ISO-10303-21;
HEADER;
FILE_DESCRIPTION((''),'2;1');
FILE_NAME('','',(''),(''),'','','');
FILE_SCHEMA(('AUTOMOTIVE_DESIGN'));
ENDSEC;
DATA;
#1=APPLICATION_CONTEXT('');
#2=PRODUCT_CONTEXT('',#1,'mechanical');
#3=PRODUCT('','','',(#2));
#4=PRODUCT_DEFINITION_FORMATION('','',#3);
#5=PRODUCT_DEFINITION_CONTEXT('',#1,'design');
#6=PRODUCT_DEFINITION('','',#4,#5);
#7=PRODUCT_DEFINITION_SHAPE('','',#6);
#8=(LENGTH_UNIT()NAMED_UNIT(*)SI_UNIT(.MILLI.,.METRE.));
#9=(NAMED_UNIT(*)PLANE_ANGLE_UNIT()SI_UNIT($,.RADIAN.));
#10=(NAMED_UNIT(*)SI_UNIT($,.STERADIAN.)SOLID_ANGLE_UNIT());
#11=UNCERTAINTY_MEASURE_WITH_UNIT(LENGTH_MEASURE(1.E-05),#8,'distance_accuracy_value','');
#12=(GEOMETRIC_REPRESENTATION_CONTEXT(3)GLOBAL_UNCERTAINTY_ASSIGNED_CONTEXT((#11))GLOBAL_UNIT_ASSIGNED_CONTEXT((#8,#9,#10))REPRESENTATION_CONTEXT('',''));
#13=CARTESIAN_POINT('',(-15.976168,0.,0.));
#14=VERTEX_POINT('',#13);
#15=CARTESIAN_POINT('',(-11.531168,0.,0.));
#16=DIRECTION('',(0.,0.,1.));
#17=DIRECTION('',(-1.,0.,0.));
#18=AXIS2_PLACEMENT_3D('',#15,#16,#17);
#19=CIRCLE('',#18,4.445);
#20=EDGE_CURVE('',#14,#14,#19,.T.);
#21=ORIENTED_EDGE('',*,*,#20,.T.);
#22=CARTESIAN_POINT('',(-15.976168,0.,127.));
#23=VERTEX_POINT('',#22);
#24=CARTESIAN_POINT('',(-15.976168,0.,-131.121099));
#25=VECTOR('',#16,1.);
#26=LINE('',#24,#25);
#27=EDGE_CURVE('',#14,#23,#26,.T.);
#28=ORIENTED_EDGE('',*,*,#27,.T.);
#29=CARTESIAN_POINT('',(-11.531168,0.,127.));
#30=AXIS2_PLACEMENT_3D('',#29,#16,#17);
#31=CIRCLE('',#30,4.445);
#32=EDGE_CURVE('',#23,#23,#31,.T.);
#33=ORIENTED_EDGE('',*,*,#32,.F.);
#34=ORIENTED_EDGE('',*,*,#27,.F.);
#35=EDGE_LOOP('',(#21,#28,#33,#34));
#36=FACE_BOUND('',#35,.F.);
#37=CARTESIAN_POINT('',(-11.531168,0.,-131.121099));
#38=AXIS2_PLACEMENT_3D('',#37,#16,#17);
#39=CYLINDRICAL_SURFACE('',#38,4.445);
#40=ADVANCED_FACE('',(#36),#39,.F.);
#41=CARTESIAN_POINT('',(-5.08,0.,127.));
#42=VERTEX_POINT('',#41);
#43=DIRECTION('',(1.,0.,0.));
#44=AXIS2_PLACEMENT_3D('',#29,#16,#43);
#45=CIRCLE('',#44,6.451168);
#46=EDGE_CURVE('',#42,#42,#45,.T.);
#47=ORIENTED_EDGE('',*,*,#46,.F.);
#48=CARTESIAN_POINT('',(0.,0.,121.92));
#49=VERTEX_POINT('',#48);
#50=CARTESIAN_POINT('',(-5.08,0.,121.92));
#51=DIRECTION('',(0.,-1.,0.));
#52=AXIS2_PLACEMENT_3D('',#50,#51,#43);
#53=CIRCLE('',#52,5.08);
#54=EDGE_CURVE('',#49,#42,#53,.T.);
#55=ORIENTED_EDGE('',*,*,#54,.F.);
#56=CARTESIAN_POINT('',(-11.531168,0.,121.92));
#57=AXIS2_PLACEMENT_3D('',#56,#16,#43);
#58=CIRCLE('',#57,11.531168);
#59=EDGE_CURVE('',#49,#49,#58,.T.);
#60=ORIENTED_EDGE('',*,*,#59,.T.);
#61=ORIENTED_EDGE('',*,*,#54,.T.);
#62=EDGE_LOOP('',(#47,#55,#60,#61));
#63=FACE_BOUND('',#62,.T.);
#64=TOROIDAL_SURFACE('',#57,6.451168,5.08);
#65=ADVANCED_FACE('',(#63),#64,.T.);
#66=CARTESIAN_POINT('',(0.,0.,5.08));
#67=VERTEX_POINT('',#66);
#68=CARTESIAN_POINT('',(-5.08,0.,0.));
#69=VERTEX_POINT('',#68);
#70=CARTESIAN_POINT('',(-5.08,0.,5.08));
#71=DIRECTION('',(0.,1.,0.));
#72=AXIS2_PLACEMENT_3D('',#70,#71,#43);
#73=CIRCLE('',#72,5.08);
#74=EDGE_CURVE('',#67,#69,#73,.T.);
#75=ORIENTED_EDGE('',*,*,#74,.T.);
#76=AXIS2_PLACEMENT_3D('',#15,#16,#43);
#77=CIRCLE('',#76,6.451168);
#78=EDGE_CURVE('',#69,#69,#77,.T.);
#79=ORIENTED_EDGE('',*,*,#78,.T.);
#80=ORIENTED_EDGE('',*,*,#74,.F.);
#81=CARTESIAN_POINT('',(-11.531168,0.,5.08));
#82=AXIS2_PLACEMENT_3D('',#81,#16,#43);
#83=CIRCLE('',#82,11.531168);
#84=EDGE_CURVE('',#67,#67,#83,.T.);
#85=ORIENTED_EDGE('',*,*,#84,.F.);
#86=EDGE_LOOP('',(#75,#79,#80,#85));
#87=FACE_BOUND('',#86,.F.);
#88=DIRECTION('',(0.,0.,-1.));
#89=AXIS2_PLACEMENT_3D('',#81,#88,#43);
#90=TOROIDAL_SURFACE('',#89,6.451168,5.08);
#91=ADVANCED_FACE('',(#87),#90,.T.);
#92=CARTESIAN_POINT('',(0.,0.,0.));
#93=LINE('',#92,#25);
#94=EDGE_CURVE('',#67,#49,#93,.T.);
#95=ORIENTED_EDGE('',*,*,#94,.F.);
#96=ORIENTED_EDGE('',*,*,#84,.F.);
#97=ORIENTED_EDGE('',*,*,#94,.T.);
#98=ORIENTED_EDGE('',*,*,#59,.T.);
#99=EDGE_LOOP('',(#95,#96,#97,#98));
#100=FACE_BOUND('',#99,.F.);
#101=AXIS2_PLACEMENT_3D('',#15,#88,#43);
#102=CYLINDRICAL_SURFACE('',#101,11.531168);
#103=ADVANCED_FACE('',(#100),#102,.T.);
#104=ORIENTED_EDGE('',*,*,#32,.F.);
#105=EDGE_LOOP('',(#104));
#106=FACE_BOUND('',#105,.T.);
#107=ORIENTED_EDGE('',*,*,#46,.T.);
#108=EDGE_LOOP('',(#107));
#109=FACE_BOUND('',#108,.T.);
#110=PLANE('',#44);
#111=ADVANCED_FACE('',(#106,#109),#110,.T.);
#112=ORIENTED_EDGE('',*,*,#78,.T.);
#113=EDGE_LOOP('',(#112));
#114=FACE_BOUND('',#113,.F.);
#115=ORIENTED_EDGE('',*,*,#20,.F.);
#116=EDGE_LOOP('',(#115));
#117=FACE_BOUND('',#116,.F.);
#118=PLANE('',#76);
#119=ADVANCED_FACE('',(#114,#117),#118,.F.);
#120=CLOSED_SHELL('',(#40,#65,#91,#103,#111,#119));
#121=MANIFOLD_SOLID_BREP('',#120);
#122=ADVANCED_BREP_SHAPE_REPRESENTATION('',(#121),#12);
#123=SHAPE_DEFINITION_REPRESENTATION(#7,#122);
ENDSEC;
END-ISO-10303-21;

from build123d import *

# Parameters (mm, degrees)
F0_R     = 11.531168
F1_DEPTH = 127
F3_D     = 8.89
F4_R     = 5.08
F5_R     = 5.08


with BuildPart() as f1:
    # F0 (on Top) → F1 (new body)
    with BuildSketch(Plane.XY):
        with Locations((-11.531168, 0)):
            Circle(F0_R)
    extrude(amount=F1_DEPTH)

    # F3 (through all)
    with Locations(Plane(origin=(0, 0, 0), x_dir=(1, 0, 0), z_dir=(0, 0, -1))):
        with Locations((-11.531168, 0)):
            Hole(F3_D / 2)

    # F4
    f4_edges = [f1.edges().sort_by_distance(p)[0] for p in [
        (-23.062335, 0, 127),
    ]]
    fillet(f4_edges, radius=F4_R)

    # F5
    f5_edges = [f1.edges().sort_by_distance(p)[0] for p in [
        (-23.062335, 0, 0),
    ]]
    fillet(f5_edges, radius=F5_R)


solid = f1.part
